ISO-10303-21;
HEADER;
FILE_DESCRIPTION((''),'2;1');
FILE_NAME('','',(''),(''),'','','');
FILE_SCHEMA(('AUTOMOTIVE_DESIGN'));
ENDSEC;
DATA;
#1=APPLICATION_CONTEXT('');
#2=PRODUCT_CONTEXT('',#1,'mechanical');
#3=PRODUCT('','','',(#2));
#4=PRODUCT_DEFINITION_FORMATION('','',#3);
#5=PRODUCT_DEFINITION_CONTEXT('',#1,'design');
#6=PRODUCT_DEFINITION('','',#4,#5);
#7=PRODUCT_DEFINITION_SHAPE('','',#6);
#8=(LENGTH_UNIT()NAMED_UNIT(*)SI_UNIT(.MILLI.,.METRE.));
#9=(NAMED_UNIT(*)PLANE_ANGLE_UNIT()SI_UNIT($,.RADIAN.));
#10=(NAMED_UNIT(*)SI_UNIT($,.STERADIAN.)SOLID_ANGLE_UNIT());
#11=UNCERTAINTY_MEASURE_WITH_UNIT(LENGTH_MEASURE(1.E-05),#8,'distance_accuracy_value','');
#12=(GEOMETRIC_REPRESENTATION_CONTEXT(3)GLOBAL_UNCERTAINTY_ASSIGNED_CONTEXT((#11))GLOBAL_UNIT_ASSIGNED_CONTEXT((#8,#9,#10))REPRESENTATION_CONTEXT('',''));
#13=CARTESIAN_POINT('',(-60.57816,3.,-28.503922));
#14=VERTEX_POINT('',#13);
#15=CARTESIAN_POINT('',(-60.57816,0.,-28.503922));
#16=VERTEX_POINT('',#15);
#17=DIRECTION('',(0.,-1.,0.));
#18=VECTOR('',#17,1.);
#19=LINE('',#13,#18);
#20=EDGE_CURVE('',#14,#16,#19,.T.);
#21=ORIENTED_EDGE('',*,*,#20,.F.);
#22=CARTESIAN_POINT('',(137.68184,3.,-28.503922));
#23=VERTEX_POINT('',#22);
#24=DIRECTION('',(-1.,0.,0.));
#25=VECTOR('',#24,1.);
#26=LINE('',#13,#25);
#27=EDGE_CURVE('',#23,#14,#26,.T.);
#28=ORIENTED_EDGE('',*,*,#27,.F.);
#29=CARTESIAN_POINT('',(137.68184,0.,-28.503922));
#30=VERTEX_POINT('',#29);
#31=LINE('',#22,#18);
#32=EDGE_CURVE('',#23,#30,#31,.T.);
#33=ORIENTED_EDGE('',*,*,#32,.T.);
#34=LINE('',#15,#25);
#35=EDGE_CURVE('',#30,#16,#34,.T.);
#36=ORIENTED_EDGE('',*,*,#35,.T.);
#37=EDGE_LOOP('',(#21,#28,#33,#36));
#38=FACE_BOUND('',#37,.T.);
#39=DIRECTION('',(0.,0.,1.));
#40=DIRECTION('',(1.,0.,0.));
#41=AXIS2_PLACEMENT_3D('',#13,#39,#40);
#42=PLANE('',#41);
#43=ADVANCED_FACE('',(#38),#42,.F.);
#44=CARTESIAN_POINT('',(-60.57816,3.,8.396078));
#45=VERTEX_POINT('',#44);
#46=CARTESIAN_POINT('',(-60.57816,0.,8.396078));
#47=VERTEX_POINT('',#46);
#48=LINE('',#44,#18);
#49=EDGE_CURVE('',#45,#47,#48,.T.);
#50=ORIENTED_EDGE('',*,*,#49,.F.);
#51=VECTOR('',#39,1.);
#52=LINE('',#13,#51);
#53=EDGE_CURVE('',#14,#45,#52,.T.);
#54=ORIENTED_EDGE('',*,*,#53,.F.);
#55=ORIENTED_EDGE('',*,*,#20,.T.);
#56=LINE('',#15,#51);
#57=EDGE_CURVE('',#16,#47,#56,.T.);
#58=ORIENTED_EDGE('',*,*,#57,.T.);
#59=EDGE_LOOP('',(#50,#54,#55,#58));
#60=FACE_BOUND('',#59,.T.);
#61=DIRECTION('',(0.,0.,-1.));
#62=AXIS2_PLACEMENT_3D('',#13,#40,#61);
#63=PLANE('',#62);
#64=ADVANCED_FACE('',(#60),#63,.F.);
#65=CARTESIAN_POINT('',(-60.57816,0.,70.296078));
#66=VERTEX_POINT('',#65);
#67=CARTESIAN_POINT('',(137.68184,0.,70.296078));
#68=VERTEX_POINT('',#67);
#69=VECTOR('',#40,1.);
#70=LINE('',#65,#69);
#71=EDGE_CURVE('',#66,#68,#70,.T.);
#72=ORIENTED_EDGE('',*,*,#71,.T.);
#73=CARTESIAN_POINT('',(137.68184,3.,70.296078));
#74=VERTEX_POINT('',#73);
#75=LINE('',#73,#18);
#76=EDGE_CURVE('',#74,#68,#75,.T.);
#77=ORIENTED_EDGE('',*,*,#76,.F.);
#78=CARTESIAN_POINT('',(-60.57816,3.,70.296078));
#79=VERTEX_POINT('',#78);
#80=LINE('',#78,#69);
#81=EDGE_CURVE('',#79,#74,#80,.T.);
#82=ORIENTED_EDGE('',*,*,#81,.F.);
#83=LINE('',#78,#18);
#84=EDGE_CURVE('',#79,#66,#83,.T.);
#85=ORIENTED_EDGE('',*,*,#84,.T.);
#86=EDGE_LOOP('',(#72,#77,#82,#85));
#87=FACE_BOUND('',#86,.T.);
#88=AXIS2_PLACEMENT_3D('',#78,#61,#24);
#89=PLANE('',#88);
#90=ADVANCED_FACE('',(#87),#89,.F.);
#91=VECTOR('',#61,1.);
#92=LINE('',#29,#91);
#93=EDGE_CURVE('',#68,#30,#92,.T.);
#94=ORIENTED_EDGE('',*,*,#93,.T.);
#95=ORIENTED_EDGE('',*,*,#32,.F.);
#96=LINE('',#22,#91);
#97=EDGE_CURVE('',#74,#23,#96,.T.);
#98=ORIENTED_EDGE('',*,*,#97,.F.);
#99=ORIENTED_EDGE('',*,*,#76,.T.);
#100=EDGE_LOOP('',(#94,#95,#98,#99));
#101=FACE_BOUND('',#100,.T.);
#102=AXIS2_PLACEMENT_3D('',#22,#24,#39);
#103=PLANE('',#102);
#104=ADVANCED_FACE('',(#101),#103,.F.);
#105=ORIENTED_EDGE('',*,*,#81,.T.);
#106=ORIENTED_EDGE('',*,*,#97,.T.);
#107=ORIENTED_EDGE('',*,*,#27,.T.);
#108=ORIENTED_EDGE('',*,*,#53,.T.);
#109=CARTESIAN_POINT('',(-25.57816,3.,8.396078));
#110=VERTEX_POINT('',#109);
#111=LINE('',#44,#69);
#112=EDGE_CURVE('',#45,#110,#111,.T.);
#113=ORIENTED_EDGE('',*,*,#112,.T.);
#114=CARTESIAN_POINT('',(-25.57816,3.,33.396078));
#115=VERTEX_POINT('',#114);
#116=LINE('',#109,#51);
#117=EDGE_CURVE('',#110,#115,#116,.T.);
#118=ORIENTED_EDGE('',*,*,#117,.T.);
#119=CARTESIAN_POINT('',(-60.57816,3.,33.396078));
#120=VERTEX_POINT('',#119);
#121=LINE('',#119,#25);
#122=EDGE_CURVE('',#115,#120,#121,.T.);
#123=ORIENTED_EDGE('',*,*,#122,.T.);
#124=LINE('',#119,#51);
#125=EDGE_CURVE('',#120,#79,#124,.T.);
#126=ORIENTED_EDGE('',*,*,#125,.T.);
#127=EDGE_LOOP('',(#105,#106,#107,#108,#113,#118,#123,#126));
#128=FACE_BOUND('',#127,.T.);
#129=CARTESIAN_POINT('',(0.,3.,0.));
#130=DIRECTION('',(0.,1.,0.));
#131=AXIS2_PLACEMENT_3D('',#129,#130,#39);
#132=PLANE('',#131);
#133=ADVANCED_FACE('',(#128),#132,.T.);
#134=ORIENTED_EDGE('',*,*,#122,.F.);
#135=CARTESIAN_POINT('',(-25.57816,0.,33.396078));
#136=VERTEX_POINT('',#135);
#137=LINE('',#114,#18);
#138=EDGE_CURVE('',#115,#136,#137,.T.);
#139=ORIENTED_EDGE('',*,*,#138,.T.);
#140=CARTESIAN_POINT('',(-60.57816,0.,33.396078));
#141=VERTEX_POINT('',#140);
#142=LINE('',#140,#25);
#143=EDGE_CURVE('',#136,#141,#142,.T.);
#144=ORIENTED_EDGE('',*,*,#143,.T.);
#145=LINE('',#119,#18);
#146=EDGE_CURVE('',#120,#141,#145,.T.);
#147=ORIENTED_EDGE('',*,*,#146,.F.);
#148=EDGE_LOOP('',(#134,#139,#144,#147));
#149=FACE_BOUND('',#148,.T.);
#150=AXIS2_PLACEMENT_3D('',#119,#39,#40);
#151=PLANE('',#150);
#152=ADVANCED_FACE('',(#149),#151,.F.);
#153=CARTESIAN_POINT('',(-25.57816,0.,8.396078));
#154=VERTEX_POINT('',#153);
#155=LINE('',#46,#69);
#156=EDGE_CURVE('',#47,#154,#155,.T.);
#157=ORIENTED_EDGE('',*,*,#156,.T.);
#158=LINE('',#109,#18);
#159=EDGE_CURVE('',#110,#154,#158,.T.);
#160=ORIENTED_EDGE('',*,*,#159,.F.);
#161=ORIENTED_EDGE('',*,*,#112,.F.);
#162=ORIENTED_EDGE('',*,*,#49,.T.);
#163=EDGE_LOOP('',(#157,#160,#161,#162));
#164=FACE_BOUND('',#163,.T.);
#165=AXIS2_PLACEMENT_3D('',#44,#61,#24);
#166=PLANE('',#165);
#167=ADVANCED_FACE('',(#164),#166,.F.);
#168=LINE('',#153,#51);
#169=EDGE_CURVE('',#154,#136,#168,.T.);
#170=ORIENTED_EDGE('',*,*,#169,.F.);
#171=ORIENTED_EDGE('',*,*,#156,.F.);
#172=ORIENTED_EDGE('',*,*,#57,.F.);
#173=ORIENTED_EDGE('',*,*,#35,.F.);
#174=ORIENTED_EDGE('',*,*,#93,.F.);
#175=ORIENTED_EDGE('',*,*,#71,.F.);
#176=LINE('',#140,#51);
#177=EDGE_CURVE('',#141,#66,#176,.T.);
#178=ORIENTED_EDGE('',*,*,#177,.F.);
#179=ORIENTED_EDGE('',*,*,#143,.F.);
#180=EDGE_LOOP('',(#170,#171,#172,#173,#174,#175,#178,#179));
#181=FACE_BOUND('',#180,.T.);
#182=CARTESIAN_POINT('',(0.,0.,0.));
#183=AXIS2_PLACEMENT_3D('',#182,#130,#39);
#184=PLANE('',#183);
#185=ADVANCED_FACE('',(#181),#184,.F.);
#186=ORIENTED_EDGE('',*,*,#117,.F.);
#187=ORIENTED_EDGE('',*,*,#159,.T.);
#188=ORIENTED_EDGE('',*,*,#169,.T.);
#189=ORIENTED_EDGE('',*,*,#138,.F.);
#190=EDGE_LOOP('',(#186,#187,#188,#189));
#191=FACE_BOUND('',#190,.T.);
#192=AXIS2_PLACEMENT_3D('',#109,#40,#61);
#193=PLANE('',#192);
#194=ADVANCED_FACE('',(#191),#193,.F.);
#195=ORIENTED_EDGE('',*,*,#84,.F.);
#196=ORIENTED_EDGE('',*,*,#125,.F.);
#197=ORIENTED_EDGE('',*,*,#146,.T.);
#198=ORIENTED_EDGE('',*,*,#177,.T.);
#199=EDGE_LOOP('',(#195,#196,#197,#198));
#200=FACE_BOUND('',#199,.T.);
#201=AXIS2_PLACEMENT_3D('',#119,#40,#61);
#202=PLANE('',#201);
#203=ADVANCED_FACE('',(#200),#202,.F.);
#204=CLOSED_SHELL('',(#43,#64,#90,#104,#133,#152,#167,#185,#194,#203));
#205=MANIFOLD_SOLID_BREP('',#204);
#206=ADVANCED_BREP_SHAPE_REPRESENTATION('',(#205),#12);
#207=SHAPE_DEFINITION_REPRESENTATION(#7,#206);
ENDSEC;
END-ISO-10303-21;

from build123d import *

# Parameters (mm, degrees)
BOSS_EXTRUDE1_DEPTH = 3


with BuildPart() as part:
    # Sketch1 → Boss-Extrude1 (new body)
    with BuildSketch(Plane(origin=(0, 0, 0), x_dir=(1, 0, 0), z_dir=(0, 1, 0))):
        Polygon((-60.578159562, -33.396078056), (-60.578159562, -70.296078056), (137.681840438, -70.296078056), (137.681840438, 28.503921944), (-60.578159562, 28.503921944), (-60.578159562, -8.396078056), (-25.578159562, -8.396078056), (-25.578159562, -33.396078056), align=None)
    extrude(amount=BOSS_EXTRUDE1_DEPTH)


solid = part.part
